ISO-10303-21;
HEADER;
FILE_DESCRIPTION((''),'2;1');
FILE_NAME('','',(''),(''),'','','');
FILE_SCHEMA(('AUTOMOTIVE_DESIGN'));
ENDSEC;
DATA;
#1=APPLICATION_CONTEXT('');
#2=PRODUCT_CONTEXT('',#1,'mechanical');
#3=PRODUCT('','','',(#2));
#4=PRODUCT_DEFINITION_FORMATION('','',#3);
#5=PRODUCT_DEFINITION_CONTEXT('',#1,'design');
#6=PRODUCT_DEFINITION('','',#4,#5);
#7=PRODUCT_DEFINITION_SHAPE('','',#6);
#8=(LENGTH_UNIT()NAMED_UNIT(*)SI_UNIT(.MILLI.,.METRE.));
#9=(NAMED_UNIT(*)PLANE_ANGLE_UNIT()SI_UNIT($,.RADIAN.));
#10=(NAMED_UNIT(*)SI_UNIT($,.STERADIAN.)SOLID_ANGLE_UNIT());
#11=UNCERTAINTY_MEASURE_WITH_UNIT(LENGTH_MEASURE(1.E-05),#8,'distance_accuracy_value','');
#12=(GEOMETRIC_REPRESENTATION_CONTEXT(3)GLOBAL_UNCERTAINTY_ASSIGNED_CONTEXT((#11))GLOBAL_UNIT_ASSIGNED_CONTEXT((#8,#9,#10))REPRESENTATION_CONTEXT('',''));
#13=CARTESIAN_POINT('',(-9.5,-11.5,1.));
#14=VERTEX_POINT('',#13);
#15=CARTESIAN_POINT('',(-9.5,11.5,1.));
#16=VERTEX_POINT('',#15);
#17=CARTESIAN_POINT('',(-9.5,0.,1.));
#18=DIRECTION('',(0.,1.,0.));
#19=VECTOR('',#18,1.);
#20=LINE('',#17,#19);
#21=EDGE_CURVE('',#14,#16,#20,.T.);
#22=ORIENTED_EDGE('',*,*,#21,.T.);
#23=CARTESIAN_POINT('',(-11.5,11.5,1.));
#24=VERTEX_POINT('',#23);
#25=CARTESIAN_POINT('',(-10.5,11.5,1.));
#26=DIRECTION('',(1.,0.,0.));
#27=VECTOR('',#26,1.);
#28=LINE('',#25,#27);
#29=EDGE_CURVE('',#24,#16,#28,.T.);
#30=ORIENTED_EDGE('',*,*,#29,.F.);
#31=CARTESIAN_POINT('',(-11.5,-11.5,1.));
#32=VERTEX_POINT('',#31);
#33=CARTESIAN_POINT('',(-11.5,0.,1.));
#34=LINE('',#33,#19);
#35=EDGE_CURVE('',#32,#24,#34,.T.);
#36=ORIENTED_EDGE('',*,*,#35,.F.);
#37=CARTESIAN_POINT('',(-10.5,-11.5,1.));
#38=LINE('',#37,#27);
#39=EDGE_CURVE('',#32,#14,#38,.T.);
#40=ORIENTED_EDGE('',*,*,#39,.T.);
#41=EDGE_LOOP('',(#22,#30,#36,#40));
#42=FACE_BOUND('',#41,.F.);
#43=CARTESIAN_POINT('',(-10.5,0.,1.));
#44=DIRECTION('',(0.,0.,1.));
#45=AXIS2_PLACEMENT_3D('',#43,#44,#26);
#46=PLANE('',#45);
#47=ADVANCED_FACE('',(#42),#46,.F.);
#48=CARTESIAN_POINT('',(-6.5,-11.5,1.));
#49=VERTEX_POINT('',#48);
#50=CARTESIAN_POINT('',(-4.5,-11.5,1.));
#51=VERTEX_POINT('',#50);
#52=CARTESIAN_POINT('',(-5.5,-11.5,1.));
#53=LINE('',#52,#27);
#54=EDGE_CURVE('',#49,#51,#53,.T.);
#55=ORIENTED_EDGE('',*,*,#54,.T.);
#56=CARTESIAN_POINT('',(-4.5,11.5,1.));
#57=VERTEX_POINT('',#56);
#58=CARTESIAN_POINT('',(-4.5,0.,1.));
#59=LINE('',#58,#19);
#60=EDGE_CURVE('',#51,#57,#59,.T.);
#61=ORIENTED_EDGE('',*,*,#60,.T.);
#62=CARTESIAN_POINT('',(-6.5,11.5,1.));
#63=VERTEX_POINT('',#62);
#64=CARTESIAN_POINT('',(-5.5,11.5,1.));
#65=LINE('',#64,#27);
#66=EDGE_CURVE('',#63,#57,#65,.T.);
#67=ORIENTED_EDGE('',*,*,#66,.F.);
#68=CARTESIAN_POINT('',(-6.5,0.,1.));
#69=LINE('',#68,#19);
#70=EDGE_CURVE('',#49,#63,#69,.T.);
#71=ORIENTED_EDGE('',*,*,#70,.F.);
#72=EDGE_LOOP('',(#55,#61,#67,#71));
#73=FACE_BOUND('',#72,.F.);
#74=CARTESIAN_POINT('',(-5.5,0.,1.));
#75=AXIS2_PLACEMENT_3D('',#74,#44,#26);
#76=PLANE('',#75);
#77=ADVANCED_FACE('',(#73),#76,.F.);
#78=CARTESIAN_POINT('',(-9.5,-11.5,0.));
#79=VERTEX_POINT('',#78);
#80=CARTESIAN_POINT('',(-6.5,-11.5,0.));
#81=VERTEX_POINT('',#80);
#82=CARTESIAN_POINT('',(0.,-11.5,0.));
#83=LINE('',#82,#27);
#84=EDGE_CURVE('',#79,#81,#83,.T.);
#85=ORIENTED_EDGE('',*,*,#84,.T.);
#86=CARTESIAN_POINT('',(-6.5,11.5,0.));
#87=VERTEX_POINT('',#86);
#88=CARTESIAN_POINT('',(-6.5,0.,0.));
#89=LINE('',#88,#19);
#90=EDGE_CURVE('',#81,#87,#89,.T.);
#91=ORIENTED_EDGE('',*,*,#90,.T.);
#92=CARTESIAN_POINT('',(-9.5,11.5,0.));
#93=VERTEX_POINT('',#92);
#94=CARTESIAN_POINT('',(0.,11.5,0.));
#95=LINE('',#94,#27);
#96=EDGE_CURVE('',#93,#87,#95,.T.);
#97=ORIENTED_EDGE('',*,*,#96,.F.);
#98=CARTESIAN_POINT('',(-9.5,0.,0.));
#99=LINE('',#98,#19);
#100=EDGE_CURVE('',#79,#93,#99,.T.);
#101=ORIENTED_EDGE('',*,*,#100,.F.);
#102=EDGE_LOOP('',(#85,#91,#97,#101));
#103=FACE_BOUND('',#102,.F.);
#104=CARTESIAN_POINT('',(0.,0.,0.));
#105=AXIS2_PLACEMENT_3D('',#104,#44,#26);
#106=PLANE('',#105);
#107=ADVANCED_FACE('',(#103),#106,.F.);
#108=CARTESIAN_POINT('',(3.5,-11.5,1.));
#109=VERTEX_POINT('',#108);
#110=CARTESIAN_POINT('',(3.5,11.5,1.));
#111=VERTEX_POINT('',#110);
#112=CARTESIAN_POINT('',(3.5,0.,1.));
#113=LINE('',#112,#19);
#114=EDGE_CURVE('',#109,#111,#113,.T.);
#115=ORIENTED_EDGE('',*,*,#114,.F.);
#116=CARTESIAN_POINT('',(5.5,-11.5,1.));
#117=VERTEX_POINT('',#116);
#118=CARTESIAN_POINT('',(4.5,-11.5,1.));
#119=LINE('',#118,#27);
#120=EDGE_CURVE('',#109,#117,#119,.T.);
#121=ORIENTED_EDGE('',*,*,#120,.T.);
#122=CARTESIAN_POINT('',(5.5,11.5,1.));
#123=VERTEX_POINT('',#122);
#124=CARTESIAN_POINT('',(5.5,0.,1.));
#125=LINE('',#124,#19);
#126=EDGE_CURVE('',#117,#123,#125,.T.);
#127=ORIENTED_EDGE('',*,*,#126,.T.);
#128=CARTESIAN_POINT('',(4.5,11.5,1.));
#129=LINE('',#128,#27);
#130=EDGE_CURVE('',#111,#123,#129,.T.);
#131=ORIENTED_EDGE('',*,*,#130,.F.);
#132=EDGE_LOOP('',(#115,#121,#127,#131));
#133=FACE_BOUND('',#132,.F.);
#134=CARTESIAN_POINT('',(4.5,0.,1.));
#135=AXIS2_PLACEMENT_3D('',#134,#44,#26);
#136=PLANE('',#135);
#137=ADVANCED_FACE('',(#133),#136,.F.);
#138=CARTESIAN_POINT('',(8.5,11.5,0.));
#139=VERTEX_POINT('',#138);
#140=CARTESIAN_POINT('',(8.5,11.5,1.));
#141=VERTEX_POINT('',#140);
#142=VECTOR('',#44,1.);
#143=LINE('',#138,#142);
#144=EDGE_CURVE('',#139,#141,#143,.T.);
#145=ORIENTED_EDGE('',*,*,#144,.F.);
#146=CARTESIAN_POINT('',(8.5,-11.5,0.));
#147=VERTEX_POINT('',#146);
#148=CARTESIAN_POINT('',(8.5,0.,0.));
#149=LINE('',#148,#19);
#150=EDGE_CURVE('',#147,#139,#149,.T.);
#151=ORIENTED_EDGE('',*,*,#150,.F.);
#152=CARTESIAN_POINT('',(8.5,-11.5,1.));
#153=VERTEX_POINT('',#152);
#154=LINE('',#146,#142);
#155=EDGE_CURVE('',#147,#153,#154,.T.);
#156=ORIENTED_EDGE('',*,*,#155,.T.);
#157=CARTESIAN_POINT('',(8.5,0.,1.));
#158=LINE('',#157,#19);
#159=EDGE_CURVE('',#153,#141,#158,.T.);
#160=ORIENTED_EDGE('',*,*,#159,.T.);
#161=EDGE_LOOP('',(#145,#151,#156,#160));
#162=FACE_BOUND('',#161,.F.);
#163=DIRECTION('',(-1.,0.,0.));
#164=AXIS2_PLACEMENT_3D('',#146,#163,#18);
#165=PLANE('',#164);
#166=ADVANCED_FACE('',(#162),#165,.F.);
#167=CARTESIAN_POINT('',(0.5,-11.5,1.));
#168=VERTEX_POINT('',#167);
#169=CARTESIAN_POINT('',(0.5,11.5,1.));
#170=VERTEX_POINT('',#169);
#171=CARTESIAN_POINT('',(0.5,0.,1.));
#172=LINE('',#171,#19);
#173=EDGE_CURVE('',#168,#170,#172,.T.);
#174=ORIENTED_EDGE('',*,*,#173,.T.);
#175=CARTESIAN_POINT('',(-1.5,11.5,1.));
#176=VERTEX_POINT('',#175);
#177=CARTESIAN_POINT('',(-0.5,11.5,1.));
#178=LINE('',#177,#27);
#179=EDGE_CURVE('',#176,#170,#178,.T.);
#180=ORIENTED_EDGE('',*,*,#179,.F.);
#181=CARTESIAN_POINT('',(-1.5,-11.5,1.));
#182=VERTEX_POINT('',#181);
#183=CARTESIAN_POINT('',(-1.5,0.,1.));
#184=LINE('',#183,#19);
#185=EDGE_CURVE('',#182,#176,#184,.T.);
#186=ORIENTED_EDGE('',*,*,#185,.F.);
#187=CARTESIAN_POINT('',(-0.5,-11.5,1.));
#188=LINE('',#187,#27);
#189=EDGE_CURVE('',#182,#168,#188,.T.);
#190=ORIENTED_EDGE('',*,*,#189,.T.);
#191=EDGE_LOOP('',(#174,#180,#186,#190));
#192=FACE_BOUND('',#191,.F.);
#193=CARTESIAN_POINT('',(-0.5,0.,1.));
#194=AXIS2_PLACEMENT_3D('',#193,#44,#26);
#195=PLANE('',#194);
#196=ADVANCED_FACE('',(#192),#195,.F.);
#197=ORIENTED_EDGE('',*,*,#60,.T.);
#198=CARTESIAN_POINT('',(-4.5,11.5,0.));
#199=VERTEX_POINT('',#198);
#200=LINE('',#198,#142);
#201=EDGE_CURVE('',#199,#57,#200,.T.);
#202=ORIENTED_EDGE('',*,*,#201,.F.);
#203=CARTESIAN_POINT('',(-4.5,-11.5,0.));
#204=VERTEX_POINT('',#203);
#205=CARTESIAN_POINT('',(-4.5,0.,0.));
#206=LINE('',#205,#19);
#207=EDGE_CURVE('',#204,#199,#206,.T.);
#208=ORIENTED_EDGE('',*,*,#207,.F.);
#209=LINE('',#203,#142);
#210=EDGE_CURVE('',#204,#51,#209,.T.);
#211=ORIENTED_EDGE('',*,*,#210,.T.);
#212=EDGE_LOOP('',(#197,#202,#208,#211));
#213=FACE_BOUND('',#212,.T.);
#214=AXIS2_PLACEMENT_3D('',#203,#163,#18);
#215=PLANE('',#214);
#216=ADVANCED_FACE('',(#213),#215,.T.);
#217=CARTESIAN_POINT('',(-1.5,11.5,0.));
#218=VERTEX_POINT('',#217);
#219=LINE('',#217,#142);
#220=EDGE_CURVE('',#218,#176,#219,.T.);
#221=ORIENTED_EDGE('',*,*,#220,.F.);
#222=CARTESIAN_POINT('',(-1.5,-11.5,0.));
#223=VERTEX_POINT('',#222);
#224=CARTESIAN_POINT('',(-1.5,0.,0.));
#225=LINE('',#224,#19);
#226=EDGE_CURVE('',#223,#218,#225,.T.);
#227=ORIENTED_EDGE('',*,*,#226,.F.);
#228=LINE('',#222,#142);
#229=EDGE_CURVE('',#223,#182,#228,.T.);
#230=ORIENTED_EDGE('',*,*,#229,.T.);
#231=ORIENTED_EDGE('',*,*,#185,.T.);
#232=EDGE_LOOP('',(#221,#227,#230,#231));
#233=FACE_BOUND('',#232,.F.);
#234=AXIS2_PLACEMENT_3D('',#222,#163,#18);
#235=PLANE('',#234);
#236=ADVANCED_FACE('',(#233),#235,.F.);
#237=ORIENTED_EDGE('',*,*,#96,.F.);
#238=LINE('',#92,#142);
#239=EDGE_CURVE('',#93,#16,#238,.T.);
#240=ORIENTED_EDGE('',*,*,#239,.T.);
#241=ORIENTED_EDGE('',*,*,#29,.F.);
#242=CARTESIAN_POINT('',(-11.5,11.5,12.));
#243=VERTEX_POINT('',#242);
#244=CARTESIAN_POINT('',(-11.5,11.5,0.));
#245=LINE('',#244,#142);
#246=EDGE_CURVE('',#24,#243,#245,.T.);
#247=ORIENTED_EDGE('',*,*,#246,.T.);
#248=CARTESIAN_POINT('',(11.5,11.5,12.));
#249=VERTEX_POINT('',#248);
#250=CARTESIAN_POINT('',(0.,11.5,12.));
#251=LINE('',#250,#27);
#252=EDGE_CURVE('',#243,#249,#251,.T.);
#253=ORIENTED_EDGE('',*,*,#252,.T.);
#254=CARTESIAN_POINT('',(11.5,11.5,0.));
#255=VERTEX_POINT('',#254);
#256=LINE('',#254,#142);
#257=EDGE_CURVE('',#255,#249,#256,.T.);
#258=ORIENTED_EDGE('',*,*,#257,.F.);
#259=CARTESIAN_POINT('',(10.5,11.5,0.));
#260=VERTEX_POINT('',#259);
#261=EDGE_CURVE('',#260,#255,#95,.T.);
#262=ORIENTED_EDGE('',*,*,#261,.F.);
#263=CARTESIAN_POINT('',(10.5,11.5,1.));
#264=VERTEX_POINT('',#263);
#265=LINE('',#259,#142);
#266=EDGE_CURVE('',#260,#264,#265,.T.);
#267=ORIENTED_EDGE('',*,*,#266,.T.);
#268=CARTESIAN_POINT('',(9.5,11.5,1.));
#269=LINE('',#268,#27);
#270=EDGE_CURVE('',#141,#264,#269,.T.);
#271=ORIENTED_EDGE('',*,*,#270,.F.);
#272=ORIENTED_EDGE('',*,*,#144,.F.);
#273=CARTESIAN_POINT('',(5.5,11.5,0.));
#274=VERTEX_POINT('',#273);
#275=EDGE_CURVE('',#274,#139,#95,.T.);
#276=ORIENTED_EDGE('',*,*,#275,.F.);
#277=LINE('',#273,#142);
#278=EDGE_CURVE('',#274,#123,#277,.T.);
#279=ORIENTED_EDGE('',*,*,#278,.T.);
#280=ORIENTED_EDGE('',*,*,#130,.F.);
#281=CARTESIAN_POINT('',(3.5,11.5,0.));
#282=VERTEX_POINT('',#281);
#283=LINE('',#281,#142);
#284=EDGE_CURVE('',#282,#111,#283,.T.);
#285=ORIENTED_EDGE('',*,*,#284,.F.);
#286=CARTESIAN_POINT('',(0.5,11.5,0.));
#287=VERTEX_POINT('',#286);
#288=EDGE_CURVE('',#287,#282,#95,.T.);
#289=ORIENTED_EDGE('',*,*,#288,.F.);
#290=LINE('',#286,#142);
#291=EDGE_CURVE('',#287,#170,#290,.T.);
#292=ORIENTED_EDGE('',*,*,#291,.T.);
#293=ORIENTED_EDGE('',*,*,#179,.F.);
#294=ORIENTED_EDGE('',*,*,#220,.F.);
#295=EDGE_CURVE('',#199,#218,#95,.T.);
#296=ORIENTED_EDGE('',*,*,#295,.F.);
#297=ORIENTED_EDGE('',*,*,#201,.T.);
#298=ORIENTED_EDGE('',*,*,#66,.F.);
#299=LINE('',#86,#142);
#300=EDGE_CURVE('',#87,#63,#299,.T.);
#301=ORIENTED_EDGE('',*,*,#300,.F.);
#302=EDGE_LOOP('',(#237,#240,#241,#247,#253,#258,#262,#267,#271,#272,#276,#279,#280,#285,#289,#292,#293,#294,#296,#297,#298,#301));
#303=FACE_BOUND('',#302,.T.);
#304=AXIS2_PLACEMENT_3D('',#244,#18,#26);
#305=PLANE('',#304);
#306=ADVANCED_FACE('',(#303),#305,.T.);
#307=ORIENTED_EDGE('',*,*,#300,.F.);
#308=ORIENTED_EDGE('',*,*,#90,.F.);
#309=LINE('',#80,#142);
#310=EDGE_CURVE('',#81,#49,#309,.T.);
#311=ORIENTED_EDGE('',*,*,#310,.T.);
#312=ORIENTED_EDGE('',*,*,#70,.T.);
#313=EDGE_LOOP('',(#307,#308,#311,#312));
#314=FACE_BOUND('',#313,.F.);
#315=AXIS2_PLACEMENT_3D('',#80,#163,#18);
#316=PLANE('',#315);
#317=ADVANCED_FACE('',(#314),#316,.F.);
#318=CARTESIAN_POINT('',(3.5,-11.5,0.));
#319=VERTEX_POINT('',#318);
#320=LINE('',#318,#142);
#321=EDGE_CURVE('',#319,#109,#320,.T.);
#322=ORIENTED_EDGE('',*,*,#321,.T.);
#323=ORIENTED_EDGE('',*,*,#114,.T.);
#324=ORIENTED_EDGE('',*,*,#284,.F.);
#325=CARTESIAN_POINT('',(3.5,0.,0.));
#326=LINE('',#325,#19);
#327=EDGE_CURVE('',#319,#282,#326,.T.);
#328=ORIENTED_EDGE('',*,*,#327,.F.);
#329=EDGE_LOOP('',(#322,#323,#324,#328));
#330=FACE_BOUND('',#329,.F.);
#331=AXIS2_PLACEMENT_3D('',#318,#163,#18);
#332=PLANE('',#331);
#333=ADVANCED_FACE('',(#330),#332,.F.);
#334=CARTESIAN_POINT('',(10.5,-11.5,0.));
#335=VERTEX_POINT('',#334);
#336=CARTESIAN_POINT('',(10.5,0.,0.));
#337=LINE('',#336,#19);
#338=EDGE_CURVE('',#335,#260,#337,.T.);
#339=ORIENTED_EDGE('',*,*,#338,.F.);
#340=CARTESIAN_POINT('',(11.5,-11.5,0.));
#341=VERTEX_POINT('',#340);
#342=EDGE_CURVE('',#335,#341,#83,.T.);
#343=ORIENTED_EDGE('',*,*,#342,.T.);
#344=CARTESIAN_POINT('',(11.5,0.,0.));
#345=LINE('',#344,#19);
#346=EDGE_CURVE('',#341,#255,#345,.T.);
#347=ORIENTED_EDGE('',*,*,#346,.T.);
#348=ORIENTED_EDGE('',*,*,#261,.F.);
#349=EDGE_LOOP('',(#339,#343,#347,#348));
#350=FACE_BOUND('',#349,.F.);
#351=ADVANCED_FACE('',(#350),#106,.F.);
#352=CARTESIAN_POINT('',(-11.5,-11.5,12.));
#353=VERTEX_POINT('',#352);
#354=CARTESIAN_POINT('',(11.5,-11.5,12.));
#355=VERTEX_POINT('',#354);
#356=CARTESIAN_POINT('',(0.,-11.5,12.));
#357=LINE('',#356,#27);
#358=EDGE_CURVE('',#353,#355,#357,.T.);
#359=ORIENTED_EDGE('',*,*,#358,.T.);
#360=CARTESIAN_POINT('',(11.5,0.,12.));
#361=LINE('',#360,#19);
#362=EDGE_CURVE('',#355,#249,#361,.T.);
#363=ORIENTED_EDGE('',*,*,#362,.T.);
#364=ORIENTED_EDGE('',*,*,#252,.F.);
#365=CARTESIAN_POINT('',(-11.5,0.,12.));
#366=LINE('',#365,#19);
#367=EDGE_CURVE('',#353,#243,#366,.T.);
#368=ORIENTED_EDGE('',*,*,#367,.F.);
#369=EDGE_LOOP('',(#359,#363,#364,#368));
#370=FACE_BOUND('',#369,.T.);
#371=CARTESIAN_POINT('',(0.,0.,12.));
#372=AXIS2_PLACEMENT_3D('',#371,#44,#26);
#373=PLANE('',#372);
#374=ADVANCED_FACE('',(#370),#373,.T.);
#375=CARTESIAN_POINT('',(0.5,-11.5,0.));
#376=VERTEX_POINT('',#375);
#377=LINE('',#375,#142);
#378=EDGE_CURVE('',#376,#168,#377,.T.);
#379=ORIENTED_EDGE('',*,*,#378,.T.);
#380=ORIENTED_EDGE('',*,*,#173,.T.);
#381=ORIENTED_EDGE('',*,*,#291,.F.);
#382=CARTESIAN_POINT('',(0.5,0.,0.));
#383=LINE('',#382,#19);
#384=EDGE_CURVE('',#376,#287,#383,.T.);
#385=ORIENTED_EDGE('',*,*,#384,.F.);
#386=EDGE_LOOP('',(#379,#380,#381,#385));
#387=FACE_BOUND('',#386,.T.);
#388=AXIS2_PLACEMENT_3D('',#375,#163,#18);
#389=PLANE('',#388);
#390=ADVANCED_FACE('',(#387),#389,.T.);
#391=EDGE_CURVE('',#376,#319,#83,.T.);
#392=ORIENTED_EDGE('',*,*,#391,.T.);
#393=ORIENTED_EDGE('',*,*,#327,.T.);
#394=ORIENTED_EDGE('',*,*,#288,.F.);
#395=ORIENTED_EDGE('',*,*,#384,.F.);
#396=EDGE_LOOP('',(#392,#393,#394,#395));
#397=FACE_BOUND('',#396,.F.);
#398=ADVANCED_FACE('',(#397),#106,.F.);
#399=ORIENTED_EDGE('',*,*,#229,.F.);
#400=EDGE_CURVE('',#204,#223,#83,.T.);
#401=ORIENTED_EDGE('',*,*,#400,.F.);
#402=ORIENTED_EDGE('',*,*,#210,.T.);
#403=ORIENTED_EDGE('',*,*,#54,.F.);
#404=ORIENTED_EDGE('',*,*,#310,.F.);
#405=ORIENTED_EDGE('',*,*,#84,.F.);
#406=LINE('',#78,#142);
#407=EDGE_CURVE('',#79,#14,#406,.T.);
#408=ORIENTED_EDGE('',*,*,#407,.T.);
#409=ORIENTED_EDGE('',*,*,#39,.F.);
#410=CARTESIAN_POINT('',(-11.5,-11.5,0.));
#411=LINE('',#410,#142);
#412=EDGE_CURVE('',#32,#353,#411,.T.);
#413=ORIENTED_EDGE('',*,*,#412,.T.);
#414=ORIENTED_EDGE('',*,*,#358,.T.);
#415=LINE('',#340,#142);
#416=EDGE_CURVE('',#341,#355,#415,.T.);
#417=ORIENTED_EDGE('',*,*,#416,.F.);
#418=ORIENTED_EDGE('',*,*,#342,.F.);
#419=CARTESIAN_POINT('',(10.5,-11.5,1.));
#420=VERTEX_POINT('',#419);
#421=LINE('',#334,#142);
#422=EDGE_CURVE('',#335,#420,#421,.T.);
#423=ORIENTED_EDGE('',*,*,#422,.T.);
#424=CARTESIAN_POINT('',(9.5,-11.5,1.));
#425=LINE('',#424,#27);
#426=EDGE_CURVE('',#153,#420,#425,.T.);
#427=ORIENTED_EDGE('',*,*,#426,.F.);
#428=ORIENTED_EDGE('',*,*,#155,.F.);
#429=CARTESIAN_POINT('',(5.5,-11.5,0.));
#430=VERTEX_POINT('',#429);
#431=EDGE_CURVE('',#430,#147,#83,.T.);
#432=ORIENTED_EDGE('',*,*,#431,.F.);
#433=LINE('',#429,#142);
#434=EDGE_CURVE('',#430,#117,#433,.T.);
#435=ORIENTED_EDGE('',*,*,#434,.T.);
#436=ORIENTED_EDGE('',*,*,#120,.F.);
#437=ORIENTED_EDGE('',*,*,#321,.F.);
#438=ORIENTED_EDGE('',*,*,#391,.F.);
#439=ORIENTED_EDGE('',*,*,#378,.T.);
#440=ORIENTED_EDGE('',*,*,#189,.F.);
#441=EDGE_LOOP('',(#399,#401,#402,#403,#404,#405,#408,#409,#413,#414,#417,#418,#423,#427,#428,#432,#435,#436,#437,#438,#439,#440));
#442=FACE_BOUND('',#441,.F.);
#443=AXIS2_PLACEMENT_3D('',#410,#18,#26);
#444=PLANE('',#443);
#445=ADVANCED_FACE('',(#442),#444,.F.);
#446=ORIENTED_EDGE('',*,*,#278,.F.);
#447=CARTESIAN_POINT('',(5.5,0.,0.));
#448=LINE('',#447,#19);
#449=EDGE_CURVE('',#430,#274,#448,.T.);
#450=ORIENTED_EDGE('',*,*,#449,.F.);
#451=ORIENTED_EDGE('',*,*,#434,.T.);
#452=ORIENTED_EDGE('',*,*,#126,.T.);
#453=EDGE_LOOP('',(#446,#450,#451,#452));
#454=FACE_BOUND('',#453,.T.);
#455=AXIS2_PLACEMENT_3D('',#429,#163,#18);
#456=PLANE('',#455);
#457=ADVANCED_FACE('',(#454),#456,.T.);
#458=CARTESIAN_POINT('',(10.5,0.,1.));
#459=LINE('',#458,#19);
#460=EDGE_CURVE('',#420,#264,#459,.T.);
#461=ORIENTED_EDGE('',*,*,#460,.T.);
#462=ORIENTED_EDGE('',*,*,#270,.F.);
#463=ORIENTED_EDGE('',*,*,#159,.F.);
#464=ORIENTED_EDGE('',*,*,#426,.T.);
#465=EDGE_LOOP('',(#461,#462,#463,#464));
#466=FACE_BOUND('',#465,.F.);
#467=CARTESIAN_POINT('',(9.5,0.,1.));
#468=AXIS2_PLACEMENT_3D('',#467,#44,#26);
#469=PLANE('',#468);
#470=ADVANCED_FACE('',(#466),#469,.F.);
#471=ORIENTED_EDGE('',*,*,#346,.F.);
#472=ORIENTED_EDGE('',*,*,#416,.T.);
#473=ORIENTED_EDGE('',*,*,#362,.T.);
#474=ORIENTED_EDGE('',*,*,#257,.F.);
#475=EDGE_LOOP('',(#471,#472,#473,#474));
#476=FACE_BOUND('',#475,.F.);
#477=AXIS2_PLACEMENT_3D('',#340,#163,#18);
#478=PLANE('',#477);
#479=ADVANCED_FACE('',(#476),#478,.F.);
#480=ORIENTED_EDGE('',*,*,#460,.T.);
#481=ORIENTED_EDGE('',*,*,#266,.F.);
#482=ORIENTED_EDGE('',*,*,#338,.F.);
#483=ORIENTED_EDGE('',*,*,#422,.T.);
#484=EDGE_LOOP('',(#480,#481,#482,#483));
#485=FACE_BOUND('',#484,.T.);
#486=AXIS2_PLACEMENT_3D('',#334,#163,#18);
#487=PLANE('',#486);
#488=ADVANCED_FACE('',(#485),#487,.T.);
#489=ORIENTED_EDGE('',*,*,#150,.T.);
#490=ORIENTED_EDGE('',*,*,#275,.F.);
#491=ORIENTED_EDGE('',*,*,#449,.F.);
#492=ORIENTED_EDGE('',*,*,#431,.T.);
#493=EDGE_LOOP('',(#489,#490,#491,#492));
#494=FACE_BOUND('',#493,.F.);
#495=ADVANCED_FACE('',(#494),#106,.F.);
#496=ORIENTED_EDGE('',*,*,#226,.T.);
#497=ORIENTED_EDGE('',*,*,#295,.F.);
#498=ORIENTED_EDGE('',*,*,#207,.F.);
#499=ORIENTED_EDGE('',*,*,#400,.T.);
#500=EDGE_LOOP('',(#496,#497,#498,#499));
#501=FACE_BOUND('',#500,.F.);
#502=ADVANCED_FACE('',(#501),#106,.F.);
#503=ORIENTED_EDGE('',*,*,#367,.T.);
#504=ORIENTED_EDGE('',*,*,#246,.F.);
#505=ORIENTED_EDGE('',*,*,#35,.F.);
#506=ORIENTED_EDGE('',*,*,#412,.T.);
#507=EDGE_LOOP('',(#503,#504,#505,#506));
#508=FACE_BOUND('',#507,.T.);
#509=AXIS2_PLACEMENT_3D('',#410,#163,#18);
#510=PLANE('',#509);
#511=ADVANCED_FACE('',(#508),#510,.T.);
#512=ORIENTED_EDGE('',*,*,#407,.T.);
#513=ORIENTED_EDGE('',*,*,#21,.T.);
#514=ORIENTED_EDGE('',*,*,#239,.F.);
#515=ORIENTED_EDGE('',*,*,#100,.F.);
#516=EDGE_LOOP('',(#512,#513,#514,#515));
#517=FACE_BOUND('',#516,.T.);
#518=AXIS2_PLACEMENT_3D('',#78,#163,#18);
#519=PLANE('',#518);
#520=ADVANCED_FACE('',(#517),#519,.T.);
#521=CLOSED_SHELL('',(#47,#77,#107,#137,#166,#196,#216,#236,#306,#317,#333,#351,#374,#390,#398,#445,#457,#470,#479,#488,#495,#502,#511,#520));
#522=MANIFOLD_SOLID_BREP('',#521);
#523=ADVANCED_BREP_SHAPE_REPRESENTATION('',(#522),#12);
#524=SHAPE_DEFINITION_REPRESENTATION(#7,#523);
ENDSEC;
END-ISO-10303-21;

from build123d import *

# Parameters (mm, degrees)
BOX015_W     = 2
BOX015_H     = 23
BOX015_DEPTH = 1
BOX014_W     = 2
BOX014_H     = 23
BOX014_DEPTH = 1
BOX013_W     = 2
BOX013_H     = 23
BOX013_DEPTH = 1
BOX012_W     = 2
BOX012_H     = 23
BOX012_DEPTH = 1
BOX016_W     = 2
BOX016_H     = 23
BOX016_DEPTH = 1
BOX011_W     = 23
BOX011_H     = 23
BOX011_DEPTH = 12


with BuildPart() as cube015:
    # Box015 → Box015 (new body)
    with BuildSketch(Plane(origin=(3.5, -11.5, 0), x_dir=(1, 0, 0), z_dir=(0, 0, 1))):
        with Locations((1, 11.5)):
            Rectangle(BOX015_W, BOX015_H)
    extrude(amount=BOX015_DEPTH)


with BuildPart() as cube014:
    # Box014 → Box014 (new body)
    with BuildSketch(Plane(origin=(-1.5, -11.5, 0), x_dir=(1, 0, 0), z_dir=(0, 0, 1))):
        with Locations((1, 11.5)):
            Rectangle(BOX014_W, BOX014_H)
    extrude(amount=BOX014_DEPTH)


with BuildPart() as cube013:
    # Box013 → Box013 (new body)
    with BuildSketch(Plane(origin=(-6.5, -11.5, 0), x_dir=(1, 0, 0), z_dir=(0, 0, 1))):
        with Locations((1, 11.5)):
            Rectangle(BOX013_W, BOX013_H)
    extrude(amount=BOX013_DEPTH)


with BuildPart() as cube012:
    # Box012 → Box012 (new body)
    with BuildSketch(Plane(origin=(-11.5, -11.5, 0), x_dir=(1, 0, 0), z_dir=(0, 0, 1))):
        with Locations((1, 11.5)):
            Rectangle(BOX012_W, BOX012_H)
    extrude(amount=BOX012_DEPTH)


with BuildPart() as fusion011:
    # Box016 → Box016 (new body)
    with BuildSketch(Plane(origin=(8.5, -11.5, 0), x_dir=(1, 0, 0), z_dir=(0, 0, 1))):
        with Locations((1, 11.5)):
            Rectangle(BOX016_W, BOX016_H)
    extrude(amount=BOX016_DEPTH)

    # Fusion011: union Cube015, Cube014, Cube013, Cube012
    add(cube015.part)
    add(cube014.part)
    add(cube013.part)
    add(cube012.part)


with BuildPart() as rubber_pad:
    # Box011 → Box011 (new body)
    with BuildSketch(Plane(origin=(-11.5, -11.5, 0), x_dir=(1, 0, 0), z_dir=(0, 0, 1))):
        with Locations((11.5, 11.5)):
            Rectangle(BOX011_W, BOX011_H)
    extrude(amount=BOX011_DEPTH)

    # Cut002002: cut Fusion011
    add(fusion011.part, mode=Mode.SUBTRACT)


solid = rubber_pad.part
